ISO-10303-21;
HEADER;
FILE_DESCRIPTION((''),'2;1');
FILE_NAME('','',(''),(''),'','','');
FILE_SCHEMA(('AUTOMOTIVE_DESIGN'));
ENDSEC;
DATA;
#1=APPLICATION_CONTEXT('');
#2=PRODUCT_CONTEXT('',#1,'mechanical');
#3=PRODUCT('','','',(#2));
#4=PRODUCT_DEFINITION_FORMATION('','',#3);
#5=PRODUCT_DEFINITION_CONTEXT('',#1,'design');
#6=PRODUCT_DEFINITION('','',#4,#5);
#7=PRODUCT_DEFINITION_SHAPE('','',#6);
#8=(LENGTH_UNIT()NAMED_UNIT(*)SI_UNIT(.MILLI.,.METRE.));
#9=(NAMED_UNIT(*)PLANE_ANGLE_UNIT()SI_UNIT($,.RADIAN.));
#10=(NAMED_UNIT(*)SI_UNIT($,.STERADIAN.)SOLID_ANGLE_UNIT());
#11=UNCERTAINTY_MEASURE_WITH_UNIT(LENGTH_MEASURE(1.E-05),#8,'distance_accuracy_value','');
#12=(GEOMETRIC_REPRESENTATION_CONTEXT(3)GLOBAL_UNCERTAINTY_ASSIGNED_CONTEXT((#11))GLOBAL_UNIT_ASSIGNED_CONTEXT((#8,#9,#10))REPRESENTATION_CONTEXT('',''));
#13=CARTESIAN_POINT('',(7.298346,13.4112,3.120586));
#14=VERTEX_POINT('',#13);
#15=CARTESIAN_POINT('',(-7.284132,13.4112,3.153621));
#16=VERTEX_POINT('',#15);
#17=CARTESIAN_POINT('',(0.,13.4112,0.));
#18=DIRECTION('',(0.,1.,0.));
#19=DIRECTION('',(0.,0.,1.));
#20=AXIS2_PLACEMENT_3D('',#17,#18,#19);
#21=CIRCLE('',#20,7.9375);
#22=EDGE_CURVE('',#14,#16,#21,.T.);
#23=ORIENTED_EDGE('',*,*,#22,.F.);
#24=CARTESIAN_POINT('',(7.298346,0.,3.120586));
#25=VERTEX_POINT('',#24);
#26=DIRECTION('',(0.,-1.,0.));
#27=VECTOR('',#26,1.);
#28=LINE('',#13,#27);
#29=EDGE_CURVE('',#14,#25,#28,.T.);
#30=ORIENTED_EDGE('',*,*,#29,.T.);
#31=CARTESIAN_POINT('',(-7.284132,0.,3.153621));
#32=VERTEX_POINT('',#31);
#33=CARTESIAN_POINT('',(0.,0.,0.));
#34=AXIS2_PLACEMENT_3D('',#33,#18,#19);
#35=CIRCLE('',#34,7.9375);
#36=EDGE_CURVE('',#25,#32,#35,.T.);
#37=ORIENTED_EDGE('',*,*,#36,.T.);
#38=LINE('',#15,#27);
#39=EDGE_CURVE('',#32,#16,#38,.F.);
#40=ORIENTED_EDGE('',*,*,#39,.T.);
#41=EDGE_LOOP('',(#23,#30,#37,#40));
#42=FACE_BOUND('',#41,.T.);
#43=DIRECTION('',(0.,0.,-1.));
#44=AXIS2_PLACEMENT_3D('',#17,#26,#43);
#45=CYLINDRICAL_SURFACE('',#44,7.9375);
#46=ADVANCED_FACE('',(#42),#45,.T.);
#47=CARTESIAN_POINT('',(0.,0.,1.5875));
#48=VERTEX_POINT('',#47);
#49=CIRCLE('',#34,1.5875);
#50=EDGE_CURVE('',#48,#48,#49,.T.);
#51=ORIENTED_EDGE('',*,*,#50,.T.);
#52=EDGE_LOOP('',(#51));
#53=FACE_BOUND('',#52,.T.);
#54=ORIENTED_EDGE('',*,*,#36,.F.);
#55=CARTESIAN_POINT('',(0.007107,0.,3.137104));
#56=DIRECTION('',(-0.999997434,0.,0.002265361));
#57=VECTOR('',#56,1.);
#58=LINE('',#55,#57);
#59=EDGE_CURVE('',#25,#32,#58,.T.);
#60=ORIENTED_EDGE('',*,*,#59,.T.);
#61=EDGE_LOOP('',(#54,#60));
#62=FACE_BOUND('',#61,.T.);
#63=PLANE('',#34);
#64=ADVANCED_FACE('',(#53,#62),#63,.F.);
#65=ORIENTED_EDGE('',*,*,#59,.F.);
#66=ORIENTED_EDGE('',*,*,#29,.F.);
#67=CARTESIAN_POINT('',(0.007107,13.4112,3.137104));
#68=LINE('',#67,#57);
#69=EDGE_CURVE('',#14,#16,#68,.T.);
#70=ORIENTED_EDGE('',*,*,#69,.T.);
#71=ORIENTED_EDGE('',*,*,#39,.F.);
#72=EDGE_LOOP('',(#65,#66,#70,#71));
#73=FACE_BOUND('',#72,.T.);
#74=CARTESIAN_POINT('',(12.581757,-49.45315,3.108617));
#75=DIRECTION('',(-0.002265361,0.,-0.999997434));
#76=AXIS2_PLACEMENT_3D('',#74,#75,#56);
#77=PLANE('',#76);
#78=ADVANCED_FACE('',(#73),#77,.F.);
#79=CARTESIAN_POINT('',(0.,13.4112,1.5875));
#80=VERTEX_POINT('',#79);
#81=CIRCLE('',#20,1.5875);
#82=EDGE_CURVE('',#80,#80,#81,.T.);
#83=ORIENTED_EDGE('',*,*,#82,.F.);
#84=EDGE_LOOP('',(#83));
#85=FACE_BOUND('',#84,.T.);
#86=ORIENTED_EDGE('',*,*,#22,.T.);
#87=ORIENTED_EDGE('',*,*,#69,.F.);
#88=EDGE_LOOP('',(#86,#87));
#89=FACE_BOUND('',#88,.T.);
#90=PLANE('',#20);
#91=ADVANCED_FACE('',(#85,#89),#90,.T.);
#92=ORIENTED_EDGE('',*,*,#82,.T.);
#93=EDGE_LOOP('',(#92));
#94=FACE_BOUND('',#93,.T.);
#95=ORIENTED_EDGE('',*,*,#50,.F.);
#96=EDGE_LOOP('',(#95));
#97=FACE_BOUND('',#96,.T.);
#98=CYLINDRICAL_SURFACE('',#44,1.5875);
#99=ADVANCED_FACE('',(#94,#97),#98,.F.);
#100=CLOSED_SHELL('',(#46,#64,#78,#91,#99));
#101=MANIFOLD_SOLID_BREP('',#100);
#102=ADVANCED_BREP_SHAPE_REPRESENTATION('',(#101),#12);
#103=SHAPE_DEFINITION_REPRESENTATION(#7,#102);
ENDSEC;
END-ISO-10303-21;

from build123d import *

# Parameters (mm, degrees)
SKETCH1_R               = 7.9375
SKETCH1_R_2             = 1.5875
BOSS_EXTRUDE1_DEPTH     = 13.4112
CUT_EXTRUDE1_DEPTH      = 1
CUT_EXTRUDE1_DEPTH_BACK = 14.4112


with BuildPart() as part:
    # Sketch1 → Boss-Extrude1 (new body)
    with BuildSketch(Plane(origin=(0, 0, 0), x_dir=(1, 0, 0), z_dir=(0, 1, 0))):
        Circle(SKETCH1_R)
        Circle(SKETCH1_R_2, mode=Mode.SUBTRACT)
    extrude(amount=BOSS_EXTRUDE1_DEPTH)

    # Sketch2 → Cut-Extrude1 (cut, two sides)
    with BuildSketch(Plane.XZ) as cut_extrude1_sk:
        Polygon((70.109649749, 2.978295714), (12.581756792, 3.108617484), (-13.072608205, 3.166734027), (-70.600501162, 3.297055797), (-70.339857622, 118.352841711), (70.370293289, 118.034081628), align=None)
    extrude(amount=CUT_EXTRUDE1_DEPTH, mode=Mode.SUBTRACT)
    extrude(cut_extrude1_sk.sketch, amount=-CUT_EXTRUDE1_DEPTH_BACK, mode=Mode.SUBTRACT)


solid = part.part
